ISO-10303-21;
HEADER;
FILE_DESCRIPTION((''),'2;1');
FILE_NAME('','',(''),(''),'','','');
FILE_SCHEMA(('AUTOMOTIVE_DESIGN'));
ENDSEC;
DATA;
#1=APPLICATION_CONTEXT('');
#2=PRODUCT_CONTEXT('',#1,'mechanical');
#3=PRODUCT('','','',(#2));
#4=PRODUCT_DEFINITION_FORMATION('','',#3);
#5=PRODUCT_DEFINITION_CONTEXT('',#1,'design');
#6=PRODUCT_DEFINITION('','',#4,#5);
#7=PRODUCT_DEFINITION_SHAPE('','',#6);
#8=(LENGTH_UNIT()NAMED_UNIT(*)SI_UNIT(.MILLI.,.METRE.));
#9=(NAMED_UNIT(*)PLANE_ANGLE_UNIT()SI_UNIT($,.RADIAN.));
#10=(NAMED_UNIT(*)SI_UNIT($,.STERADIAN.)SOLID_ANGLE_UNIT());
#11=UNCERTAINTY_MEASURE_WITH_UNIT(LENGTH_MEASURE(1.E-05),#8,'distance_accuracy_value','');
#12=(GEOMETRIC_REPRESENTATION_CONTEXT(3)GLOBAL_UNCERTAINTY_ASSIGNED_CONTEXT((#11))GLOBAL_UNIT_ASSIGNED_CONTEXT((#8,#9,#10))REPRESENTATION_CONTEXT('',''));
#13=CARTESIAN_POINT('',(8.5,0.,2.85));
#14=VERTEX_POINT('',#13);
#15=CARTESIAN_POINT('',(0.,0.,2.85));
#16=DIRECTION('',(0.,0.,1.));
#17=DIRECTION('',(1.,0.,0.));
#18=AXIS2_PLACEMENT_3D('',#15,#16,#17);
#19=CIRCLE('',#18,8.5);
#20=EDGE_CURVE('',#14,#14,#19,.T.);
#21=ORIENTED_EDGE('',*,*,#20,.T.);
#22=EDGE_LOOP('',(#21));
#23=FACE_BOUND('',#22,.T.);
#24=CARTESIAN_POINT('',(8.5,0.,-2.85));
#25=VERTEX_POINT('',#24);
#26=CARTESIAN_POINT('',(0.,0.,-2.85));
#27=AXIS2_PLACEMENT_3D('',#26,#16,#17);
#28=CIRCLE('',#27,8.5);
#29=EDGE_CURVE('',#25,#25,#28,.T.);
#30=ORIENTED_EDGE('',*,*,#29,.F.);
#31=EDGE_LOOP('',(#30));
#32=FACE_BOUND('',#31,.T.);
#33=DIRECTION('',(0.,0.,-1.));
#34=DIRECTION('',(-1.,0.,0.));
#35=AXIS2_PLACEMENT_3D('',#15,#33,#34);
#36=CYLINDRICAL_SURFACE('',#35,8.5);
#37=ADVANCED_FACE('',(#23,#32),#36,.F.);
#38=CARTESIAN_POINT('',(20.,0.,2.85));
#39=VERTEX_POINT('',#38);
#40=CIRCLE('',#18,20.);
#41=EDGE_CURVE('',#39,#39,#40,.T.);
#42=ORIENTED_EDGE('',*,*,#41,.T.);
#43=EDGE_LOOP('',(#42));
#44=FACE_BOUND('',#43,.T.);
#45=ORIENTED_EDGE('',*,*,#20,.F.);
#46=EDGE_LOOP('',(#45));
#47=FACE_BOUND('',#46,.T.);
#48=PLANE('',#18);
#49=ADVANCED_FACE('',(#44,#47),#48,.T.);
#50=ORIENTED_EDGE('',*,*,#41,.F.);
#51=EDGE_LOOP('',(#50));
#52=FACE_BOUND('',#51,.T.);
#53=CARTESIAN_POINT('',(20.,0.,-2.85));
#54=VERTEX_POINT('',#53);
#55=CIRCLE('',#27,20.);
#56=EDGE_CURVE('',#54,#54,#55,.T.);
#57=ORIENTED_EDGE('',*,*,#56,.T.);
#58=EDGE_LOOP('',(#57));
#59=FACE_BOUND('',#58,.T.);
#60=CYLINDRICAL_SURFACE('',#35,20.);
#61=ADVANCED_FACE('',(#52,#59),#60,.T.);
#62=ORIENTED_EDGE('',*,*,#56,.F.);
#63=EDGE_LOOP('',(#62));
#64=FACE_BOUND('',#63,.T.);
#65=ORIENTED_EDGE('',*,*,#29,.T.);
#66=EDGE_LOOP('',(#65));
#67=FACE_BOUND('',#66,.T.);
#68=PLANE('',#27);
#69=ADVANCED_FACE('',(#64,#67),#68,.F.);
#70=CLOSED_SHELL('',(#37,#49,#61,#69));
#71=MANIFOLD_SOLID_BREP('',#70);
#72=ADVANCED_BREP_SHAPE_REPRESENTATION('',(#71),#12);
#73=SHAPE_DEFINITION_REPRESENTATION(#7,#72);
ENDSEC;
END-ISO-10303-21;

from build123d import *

# Parameters (mm, degrees)
SKETCH3_R           = 20
SKETCH3_R_2         = 8.5
BOSS_EXTRUDE1_DEPTH = 2.85


with BuildPart() as part:
    # Sketch3 → Boss-Extrude1 (new, symmetric)
    with BuildSketch(Plane.XY):
        Circle(SKETCH3_R)
        Circle(SKETCH3_R_2, mode=Mode.SUBTRACT)
    extrude(amount=BOSS_EXTRUDE1_DEPTH, both=True)


solid = part.part
